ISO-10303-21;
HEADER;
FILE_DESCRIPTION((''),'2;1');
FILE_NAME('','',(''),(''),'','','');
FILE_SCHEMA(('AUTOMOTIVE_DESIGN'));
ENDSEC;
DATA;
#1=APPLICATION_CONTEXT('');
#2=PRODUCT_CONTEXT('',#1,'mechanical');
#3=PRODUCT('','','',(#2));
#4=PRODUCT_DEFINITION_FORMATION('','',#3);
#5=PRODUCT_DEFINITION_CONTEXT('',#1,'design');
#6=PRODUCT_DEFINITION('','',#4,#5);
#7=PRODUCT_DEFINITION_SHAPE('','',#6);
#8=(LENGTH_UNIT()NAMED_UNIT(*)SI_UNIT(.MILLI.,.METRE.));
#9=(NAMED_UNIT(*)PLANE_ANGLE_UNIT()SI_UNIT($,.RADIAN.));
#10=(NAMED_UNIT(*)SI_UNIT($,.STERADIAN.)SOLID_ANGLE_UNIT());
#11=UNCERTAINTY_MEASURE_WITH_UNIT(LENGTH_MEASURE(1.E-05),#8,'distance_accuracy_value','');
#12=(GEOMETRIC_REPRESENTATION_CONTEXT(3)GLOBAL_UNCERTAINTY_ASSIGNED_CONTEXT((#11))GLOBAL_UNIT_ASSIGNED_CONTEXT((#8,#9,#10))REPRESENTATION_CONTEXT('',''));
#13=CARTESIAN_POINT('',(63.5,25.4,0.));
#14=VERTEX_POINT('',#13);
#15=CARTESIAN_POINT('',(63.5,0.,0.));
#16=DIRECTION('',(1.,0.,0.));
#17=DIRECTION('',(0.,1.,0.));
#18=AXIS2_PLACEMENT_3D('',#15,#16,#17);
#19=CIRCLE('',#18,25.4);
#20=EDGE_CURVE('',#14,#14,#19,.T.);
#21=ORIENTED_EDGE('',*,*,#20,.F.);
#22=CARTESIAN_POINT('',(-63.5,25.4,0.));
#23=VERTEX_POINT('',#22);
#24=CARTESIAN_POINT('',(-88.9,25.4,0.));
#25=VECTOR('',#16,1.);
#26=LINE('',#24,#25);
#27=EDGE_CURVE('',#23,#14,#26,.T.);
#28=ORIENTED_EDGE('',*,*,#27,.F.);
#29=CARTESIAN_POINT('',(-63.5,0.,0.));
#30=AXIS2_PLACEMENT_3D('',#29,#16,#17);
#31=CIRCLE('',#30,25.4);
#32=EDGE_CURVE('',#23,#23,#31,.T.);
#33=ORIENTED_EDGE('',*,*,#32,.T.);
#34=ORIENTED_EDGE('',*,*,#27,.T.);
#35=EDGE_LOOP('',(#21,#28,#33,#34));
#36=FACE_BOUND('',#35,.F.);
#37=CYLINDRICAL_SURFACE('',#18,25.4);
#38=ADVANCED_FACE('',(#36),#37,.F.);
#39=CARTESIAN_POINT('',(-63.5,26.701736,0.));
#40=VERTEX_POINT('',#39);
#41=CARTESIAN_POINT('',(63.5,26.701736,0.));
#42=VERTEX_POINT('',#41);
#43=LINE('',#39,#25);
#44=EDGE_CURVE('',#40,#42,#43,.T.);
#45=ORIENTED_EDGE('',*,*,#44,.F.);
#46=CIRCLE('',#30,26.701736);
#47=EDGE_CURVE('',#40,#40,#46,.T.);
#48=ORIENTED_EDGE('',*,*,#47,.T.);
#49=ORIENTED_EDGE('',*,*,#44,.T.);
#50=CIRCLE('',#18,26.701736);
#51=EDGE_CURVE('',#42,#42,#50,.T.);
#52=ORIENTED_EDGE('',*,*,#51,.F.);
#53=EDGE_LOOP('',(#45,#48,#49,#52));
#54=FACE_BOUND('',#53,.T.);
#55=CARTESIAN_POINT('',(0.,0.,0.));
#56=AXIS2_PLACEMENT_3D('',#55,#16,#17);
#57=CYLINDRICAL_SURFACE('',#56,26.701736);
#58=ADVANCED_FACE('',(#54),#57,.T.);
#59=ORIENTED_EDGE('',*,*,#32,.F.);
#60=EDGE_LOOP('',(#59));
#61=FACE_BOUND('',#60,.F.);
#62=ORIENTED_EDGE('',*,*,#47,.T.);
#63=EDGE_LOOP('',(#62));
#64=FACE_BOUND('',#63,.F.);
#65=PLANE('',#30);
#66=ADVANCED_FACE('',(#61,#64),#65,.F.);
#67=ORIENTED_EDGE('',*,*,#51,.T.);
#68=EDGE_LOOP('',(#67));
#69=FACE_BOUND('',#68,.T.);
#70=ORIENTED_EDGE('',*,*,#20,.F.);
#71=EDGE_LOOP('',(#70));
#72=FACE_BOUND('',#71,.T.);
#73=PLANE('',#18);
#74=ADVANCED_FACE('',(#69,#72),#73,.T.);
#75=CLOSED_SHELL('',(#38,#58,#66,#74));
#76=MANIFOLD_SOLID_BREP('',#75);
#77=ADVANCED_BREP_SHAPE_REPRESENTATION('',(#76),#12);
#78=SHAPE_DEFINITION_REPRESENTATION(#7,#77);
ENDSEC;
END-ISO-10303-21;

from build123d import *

# Parameters (mm, degrees)
F0_R     = 26.701736
F1_DEPTH = 63.5
F2_R     = 25.4
F3_DEPTH = 152.4


with BuildPart() as f1:
    # F0 (on Right) → F1 (new body, symmetric)
    with BuildSketch(Plane.YZ):
        Circle(F0_R)
    extrude(amount=F1_DEPTH, both=True)

    # F2 (on face) → F3 (cut, symmetric)
    with BuildSketch(Plane.YZ.offset(63.5)):
        Circle(F2_R)
    extrude(amount=F3_DEPTH, both=True, mode=Mode.SUBTRACT)


solid = f1.part
